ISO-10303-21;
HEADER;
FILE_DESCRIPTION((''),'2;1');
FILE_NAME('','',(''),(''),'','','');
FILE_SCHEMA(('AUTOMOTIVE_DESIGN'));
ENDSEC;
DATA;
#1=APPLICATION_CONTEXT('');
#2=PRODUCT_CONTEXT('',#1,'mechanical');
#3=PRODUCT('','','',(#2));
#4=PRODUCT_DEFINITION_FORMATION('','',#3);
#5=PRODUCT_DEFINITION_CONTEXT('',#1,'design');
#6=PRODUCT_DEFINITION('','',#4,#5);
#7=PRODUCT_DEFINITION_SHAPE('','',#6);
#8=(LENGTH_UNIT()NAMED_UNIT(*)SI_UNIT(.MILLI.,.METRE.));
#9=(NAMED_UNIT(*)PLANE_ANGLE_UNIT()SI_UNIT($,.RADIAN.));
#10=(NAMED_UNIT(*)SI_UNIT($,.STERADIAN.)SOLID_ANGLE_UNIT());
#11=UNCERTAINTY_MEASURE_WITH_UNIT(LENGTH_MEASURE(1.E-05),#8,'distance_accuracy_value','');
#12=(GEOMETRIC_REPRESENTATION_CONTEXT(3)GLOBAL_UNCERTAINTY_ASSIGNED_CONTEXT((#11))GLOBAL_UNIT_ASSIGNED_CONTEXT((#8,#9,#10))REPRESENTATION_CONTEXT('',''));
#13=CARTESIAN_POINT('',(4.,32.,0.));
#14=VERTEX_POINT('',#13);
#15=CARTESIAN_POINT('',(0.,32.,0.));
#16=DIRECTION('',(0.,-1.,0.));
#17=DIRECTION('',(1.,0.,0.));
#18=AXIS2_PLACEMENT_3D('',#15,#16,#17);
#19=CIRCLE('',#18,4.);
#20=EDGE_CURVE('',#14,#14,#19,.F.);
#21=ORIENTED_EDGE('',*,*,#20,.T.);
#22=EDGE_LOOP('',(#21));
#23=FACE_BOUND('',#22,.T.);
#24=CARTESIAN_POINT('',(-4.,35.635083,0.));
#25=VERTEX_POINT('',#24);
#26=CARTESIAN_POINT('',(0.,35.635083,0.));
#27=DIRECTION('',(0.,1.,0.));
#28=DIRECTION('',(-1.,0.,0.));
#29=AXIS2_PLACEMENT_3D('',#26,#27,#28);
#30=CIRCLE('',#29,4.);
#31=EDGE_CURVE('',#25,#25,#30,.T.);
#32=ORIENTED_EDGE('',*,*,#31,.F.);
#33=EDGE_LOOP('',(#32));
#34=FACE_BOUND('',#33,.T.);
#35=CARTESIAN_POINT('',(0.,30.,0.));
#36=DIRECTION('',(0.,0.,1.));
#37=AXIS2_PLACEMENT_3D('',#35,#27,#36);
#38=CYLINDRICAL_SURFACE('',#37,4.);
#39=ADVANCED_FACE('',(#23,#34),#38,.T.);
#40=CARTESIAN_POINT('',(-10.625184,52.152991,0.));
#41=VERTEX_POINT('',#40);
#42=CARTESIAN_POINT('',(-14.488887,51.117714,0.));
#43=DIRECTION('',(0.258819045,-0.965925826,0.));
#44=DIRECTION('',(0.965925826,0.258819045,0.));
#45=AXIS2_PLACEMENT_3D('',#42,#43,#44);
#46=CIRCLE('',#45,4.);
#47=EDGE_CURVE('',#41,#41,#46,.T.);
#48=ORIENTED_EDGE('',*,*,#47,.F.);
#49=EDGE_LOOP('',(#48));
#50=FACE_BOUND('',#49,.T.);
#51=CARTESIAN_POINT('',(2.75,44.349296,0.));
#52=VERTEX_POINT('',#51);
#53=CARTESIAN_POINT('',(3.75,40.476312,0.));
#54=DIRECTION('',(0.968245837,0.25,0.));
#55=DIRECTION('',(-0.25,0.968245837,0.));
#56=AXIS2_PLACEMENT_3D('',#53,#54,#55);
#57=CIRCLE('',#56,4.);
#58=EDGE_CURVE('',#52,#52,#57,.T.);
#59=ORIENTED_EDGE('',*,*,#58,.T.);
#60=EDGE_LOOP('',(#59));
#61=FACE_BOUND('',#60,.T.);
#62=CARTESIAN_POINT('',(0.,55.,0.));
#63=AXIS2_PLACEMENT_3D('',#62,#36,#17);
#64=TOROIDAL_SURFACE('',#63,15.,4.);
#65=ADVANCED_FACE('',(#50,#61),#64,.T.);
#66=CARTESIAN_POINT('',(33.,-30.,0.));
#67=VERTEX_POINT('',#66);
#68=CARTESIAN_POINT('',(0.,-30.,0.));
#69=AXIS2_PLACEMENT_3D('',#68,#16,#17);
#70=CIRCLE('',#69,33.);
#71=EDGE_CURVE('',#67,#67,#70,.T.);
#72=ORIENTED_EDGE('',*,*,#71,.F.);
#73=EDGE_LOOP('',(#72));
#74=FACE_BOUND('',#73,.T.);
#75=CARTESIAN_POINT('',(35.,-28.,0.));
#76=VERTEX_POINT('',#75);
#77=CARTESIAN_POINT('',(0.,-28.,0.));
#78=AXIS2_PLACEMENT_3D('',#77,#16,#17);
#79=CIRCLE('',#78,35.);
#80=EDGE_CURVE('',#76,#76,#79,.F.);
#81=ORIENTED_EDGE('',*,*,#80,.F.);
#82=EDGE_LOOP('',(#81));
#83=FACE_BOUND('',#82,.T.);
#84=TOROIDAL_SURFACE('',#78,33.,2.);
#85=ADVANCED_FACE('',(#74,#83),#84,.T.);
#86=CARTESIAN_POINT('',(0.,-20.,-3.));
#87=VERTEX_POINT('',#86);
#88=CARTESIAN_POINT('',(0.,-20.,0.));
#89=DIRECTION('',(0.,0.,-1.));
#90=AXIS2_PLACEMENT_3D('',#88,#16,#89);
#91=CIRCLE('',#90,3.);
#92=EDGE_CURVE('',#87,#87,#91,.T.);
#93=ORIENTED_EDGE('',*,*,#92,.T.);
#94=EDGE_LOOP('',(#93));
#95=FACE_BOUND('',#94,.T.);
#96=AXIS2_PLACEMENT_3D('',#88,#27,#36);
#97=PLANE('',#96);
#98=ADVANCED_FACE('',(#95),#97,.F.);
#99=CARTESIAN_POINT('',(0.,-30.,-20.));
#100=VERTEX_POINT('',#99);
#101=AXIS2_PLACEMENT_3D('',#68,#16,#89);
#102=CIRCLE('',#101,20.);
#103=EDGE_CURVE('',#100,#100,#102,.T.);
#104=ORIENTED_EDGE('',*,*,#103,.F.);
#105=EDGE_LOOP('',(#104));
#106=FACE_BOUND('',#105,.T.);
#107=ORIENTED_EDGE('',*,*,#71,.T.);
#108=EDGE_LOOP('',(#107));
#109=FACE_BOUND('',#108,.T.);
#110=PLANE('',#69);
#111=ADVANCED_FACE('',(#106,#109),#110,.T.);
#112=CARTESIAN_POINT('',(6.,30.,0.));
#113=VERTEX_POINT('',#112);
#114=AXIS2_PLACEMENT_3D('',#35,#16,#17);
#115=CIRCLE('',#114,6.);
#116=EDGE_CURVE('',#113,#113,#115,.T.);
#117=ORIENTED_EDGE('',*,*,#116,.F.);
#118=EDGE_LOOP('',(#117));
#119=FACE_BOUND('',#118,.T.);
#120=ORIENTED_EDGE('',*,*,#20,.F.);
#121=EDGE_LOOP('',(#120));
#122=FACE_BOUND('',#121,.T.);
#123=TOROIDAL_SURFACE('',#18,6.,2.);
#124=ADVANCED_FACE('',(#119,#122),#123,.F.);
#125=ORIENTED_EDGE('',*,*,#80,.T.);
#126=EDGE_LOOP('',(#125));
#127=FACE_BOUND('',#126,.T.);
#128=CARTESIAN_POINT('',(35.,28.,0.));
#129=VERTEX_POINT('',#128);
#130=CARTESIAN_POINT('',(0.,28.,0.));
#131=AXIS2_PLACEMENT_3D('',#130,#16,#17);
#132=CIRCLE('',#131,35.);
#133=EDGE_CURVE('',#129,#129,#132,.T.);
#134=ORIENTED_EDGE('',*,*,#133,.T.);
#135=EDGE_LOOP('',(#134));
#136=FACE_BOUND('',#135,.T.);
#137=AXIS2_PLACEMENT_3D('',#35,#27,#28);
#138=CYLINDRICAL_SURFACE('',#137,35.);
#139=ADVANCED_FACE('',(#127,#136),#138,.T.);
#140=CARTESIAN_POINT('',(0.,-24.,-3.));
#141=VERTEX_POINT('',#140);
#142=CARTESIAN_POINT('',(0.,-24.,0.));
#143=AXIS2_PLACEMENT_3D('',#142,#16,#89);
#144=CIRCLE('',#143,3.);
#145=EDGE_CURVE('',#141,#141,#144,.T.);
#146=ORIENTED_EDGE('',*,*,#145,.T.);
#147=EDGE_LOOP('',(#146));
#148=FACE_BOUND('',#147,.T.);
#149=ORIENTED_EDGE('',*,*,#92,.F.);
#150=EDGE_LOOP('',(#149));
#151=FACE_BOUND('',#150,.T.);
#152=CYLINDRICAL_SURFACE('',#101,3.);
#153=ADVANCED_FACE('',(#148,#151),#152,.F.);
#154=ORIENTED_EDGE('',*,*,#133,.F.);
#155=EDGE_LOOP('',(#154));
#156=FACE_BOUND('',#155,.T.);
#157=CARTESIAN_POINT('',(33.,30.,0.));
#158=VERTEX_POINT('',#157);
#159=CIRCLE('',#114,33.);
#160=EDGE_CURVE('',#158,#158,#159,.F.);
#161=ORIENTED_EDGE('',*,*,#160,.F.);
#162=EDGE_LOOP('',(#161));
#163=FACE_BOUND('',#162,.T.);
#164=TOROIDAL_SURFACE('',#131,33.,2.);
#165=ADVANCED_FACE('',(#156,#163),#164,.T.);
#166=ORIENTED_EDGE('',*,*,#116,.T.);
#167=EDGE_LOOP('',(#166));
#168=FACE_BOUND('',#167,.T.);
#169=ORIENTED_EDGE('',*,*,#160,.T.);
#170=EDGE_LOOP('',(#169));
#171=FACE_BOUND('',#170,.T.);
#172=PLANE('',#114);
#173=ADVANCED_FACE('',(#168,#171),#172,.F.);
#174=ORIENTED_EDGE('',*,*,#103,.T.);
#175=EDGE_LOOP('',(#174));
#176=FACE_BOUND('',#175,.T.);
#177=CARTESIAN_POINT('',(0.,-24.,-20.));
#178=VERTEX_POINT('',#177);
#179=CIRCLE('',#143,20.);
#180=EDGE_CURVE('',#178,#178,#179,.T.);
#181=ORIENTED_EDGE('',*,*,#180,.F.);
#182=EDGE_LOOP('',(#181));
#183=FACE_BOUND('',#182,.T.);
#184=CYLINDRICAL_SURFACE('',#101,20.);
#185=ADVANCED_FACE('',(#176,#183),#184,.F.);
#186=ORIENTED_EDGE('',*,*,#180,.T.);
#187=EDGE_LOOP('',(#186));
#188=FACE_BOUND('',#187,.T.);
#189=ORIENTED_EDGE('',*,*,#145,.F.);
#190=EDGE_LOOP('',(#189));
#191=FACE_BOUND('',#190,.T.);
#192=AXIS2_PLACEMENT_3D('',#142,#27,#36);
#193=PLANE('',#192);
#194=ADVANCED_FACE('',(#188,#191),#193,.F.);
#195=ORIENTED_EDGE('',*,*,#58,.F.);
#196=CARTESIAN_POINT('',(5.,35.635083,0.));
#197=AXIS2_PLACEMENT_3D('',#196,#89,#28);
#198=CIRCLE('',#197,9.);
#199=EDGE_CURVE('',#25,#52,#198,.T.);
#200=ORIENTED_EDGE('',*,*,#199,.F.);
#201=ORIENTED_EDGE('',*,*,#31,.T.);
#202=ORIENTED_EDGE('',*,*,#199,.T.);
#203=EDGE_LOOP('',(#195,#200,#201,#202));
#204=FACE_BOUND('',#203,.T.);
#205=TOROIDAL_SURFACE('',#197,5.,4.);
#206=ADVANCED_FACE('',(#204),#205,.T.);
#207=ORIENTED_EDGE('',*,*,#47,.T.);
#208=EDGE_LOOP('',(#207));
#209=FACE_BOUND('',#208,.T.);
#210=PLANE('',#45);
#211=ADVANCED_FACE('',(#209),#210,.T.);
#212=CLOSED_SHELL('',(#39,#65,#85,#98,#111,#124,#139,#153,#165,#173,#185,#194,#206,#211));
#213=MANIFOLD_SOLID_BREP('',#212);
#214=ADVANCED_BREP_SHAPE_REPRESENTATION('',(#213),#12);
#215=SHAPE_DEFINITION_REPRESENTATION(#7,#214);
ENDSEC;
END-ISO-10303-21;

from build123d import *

# Parameters (mm, degrees)
SKETCH1_W   = 35
SKETCH1_H   = 60
FILLET1_R   = 2
SKETCH3_R   = 4
FILLET2_R   = 2
SKETCH4_W   = 20
SKETCH4_H   = 6
SKETCH4_W_2 = 3
SKETCH4_H_2 = 4


with BuildPart() as part:
    # Sketch1 → Revolve1 (revolve)
    with BuildSketch(Plane.XY, mode=Mode.PRIVATE) as revolve1_sk:
        with Locations((17.5, 0)):
            Rectangle(SKETCH1_W, SKETCH1_H)
    revolve(revolve1_sk.sketch.rotate(Axis((0, 30, 0), (0, -1, 0)), 180), axis=Axis((0, 30, 0), (0, -1, 0)))

    # Fillet1
    fillet1_edges = [part.edges().sort_by_distance(p)[0] for p in [
        (35, -30, 0),
        (35, 30, 0),
    ]]
    fillet(fillet1_edges, radius=FILLET1_R)

    # Sweep1: sweep along a path in Sketch2
    with BuildLine(Plane.XY) as sweep1_path:
        Line((0, 30), (0, 35.635083269))
        ThreePointArc((0, 35.635083269), (1.047152925, 38.696945447), (3.75, 40.476312452))
        ThreePointArc((3.75, 40.476312452), (7.559152338, 67.956049395), (-14.488887394, 51.117714323))
    # Sketch3 → Sweep1 (sweep)
    with BuildSketch(Plane(origin=(0, 30, 0), x_dir=(1, 0, 0), z_dir=(0, 1, 0))):
        Circle(SKETCH3_R)
    sweep(path=sweep1_path.line)

    # Fillet2
    fillet2_edges = [part.edges().sort_by_distance(p)[0] for p in [
        (-4, 30, 0),
    ]]
    fillet(fillet2_edges, radius=FILLET2_R)

    # Sketch4 → Cut-Revolve1 (revolve, cut)
    with BuildSketch(Plane(origin=(0, 0, 0), x_dir=(0, 0, -1), z_dir=(1, 0, 0)), mode=Mode.PRIVATE) as cut_revolve1_sk:
        with Locations((-10, -27)):
            Rectangle(SKETCH4_W, SKETCH4_H)
        with Locations((-1.5, -22)):
            Rectangle(SKETCH4_W_2, SKETCH4_H_2)
    revolve(cut_revolve1_sk.sketch.rotate(Axis((0, -30, 0), (0, 1, 0)), 90), axis=Axis((0, -30, 0), (0, 1, 0)), mode=Mode.SUBTRACT)


solid = part.part
